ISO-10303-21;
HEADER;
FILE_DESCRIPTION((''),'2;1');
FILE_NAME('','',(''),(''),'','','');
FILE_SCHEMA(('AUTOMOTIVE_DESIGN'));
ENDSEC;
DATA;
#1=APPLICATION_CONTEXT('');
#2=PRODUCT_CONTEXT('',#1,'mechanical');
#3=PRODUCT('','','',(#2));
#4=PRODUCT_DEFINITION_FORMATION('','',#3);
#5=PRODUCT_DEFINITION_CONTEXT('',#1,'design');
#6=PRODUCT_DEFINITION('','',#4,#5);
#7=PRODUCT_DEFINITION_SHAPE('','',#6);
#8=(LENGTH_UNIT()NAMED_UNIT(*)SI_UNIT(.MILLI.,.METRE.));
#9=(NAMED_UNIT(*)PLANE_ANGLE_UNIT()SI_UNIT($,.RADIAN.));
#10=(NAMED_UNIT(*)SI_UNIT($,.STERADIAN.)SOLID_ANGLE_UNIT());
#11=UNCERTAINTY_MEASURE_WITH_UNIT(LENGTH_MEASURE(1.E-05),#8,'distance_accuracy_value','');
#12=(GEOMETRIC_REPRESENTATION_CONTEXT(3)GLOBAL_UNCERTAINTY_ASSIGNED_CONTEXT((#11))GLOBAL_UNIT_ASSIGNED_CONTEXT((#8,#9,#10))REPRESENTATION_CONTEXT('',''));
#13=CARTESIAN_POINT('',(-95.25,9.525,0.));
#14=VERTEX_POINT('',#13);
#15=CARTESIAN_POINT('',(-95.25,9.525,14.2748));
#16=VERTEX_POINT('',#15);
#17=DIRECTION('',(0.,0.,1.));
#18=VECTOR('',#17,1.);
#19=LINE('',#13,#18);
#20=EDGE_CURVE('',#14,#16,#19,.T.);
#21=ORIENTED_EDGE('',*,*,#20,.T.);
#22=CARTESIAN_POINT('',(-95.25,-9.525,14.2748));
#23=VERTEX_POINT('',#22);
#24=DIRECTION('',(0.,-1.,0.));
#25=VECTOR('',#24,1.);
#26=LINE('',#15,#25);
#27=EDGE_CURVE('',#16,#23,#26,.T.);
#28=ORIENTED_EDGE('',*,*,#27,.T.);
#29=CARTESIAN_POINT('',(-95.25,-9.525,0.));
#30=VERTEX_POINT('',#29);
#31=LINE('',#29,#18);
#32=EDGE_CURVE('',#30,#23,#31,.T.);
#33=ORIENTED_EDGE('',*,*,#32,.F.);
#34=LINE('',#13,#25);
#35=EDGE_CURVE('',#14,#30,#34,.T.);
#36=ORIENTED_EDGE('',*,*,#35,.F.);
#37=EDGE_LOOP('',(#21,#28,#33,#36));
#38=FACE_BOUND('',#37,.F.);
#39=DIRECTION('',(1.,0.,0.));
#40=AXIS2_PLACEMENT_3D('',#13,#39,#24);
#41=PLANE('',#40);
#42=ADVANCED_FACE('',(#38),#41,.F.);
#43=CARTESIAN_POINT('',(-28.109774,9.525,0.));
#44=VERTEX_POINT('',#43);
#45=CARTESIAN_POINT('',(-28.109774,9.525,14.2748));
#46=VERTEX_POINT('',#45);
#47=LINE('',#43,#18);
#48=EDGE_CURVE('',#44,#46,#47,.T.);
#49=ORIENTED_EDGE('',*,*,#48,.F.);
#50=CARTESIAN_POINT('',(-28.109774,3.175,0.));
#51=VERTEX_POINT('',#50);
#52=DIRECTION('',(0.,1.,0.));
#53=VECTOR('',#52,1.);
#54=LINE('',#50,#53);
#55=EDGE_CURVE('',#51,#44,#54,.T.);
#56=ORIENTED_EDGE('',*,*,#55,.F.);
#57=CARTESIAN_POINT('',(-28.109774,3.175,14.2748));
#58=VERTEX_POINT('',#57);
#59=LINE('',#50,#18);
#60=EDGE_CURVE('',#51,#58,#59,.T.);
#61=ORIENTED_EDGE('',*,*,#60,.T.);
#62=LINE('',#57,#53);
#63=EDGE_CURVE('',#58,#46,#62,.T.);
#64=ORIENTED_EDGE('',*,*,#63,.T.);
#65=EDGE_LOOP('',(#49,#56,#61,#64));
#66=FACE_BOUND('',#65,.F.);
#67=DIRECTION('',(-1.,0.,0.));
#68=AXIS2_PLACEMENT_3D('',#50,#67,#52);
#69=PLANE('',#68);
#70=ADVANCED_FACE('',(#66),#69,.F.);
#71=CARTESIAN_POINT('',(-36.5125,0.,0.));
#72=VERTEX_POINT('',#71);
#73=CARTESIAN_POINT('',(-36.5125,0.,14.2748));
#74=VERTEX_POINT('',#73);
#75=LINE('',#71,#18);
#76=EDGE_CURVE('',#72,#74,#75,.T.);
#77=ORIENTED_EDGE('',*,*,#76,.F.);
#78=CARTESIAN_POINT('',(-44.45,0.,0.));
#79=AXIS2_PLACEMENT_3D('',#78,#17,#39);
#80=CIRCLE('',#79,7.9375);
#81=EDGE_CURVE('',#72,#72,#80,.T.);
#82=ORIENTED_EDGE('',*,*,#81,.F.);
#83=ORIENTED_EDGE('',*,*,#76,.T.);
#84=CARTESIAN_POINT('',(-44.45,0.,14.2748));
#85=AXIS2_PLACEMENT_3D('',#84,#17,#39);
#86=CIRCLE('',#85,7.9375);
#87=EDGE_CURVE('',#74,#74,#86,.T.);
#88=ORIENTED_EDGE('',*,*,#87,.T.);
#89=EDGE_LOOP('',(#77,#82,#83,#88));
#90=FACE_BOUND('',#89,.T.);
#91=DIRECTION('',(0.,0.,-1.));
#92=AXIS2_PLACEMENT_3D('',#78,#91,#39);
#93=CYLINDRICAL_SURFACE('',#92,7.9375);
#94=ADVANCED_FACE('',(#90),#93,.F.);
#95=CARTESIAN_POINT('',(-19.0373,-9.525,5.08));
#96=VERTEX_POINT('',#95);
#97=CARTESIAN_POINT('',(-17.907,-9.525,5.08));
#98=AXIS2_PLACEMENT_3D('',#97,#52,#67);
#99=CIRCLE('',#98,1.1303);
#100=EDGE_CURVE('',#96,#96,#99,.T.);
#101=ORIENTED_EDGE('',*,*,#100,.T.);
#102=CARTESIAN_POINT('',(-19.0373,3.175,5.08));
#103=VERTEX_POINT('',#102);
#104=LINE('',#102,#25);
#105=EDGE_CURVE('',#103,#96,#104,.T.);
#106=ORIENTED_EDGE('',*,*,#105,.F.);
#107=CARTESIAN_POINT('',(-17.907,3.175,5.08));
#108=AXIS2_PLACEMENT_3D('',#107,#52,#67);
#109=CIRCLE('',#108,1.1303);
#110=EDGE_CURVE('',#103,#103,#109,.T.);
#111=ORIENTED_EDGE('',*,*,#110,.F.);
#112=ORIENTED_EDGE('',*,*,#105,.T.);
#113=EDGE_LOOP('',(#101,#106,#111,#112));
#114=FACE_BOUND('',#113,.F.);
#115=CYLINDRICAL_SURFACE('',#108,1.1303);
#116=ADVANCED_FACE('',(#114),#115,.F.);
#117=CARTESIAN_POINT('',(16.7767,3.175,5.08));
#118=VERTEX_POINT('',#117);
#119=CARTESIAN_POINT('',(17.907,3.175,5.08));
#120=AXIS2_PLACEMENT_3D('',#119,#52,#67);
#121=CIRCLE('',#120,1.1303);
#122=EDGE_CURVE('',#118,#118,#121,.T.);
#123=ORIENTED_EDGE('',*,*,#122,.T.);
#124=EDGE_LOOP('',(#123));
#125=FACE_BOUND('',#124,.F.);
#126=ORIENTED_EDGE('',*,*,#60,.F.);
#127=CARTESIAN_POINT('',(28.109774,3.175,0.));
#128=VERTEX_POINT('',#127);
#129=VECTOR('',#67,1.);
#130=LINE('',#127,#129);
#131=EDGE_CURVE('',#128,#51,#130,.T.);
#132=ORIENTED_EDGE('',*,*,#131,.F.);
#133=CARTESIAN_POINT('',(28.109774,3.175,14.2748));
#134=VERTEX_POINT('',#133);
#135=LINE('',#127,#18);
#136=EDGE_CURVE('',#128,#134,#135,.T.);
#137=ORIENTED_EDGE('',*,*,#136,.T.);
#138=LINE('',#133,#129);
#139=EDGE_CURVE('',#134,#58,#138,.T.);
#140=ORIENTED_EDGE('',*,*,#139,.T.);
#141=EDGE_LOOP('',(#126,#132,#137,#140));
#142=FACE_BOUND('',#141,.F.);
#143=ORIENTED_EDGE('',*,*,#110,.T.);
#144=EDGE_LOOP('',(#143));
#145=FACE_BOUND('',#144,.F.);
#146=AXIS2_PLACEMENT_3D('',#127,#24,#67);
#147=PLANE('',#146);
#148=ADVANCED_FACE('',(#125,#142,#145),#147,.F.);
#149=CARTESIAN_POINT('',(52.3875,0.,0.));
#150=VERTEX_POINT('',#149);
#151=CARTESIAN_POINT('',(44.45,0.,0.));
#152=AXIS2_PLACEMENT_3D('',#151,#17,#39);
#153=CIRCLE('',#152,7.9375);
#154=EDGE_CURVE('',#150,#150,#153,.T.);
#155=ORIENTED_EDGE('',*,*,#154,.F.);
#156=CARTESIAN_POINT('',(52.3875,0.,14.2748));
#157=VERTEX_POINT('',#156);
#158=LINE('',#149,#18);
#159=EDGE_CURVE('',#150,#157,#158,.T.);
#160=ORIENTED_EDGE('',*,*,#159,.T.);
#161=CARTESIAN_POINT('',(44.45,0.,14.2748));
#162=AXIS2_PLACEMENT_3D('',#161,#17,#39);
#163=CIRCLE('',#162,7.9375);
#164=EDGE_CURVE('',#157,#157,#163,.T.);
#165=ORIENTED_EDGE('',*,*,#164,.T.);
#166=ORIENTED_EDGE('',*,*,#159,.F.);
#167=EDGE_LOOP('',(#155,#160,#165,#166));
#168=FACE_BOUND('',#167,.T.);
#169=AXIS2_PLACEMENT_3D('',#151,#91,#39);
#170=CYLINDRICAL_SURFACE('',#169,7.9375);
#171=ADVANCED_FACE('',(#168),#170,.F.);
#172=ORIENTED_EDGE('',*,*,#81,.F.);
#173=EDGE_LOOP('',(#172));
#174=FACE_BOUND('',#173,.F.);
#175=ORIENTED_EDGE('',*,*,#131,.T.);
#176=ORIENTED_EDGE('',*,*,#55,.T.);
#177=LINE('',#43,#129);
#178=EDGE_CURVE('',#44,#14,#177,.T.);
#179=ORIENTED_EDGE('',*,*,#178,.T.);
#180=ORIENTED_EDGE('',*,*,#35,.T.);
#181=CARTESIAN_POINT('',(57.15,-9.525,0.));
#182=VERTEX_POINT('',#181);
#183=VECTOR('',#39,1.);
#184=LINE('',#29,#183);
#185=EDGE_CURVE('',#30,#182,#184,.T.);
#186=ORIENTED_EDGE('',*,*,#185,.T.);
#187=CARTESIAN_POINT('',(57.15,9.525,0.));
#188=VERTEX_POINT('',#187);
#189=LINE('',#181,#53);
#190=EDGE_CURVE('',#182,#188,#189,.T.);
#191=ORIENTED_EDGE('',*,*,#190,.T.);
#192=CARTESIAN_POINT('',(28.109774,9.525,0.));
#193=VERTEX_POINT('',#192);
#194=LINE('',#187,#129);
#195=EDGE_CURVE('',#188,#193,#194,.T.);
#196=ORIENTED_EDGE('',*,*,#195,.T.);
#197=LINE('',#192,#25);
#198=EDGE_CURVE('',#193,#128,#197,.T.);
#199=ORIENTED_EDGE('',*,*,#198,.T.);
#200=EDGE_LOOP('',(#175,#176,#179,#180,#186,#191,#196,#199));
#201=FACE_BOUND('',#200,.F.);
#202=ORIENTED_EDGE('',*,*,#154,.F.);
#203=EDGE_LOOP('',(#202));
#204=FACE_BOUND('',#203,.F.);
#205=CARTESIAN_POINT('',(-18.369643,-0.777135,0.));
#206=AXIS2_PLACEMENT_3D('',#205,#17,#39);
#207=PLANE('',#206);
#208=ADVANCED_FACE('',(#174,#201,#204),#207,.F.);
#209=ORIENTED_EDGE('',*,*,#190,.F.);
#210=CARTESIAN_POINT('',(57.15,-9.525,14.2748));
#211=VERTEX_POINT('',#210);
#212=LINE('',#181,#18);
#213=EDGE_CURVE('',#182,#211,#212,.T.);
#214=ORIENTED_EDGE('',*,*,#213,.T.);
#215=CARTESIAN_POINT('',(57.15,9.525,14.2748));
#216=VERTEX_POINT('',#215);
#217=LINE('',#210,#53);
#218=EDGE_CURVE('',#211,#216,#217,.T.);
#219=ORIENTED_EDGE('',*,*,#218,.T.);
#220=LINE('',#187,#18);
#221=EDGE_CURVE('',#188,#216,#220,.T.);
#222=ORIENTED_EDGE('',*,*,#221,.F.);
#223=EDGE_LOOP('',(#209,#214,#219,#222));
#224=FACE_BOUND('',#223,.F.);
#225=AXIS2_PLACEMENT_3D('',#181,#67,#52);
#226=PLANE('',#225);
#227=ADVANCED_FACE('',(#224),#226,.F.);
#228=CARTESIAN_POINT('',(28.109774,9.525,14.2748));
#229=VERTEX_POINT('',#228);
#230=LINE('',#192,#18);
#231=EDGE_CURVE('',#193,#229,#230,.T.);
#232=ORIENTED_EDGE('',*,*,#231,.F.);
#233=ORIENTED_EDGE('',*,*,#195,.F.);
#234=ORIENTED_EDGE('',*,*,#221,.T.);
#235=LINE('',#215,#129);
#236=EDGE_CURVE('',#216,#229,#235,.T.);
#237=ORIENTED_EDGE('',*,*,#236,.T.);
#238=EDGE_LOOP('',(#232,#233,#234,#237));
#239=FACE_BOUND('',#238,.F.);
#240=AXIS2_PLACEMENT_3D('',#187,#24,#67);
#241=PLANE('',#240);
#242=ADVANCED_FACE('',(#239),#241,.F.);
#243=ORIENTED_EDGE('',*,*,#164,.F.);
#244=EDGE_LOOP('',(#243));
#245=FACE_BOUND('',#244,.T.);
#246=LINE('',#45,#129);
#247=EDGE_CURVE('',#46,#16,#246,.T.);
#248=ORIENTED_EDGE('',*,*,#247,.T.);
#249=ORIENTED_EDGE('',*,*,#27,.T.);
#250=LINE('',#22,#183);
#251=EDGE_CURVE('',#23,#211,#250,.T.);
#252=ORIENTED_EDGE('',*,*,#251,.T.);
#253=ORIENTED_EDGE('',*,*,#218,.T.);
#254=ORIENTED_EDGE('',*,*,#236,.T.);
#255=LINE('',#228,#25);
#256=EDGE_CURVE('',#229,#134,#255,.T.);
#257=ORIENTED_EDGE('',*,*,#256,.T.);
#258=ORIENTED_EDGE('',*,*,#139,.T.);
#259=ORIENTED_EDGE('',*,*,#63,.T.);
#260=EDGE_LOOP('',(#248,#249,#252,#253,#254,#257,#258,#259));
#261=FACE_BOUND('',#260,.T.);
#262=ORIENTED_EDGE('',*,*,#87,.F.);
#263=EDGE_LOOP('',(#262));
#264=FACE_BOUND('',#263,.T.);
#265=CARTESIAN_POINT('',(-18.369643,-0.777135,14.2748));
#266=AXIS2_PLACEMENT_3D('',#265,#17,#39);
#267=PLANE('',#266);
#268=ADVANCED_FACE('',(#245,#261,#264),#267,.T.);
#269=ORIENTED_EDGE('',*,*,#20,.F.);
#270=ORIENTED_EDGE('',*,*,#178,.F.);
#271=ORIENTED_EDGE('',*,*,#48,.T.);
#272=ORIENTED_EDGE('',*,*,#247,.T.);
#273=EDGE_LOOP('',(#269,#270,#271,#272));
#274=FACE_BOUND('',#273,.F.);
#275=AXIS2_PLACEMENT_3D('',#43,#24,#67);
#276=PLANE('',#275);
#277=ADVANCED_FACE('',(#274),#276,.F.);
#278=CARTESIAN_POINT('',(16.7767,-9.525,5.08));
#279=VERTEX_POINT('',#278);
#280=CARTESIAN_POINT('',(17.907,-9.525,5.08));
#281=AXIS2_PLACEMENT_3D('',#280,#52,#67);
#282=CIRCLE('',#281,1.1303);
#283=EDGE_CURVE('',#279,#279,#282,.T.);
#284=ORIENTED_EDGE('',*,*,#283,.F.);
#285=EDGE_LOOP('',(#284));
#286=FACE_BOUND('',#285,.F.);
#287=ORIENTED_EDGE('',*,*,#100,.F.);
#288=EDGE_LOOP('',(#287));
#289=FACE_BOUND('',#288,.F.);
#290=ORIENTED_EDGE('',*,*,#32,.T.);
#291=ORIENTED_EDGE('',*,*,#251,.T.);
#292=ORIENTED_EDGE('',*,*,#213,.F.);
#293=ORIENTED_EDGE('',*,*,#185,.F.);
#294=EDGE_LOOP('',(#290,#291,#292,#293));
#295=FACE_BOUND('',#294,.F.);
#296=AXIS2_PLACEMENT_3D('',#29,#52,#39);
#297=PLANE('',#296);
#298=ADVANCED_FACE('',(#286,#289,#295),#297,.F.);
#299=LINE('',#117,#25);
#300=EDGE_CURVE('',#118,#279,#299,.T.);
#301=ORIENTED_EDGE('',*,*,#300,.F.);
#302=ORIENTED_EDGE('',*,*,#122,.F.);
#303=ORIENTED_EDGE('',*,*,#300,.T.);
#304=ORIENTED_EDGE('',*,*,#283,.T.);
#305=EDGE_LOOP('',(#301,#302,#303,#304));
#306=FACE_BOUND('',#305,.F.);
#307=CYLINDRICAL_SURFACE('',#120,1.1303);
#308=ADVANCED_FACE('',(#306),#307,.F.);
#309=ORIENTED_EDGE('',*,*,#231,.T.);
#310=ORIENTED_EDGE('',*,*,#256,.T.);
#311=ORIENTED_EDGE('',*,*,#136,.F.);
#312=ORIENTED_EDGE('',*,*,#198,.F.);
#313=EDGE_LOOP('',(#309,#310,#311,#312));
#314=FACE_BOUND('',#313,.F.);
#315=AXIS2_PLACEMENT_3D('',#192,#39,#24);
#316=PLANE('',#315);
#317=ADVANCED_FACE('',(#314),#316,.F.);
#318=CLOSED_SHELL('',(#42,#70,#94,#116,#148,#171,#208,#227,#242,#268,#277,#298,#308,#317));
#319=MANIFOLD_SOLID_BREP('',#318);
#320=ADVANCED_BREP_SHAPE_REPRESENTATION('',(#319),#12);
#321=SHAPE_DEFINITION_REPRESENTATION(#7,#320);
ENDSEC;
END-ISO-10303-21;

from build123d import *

# Parameters (mm, degrees)
F0_R     = 7.9375
F1_DEPTH = 14.2748
F2_R     = 1.1303
F3_DEPTH = 12.701


with BuildPart() as f1:
    # F0 (on Top) → F1 (new body)
    with BuildSketch(Plane.XY):
        Polygon((57.15, -9.525), (57.15, 9.525), (28.109774, 9.525), (28.109774, 3.175), (-28.109774, 3.175), (-28.109774, 9.525), (-95.25, 9.525), (-95.25, -9.525), align=None)
        with Locations((-44.45, 0)):
            Circle(F0_R, mode=Mode.SUBTRACT)
        with Locations((44.45, 0)):
            Circle(F0_R, mode=Mode.SUBTRACT)
    extrude(amount=F1_DEPTH)

    # F2 (on face) → F3 (cut, through all)
    with BuildSketch(Plane(origin=(0, 3.175, 0), x_dir=(-1, 0, 0), z_dir=(0, 1, 0))):
        with Locations((-17.907, 5.08)):
            Circle(F2_R)
        with Locations((17.907, 5.08)):
            Circle(F2_R)
    extrude(amount=-F3_DEPTH, mode=Mode.SUBTRACT)


solid = f1.part
